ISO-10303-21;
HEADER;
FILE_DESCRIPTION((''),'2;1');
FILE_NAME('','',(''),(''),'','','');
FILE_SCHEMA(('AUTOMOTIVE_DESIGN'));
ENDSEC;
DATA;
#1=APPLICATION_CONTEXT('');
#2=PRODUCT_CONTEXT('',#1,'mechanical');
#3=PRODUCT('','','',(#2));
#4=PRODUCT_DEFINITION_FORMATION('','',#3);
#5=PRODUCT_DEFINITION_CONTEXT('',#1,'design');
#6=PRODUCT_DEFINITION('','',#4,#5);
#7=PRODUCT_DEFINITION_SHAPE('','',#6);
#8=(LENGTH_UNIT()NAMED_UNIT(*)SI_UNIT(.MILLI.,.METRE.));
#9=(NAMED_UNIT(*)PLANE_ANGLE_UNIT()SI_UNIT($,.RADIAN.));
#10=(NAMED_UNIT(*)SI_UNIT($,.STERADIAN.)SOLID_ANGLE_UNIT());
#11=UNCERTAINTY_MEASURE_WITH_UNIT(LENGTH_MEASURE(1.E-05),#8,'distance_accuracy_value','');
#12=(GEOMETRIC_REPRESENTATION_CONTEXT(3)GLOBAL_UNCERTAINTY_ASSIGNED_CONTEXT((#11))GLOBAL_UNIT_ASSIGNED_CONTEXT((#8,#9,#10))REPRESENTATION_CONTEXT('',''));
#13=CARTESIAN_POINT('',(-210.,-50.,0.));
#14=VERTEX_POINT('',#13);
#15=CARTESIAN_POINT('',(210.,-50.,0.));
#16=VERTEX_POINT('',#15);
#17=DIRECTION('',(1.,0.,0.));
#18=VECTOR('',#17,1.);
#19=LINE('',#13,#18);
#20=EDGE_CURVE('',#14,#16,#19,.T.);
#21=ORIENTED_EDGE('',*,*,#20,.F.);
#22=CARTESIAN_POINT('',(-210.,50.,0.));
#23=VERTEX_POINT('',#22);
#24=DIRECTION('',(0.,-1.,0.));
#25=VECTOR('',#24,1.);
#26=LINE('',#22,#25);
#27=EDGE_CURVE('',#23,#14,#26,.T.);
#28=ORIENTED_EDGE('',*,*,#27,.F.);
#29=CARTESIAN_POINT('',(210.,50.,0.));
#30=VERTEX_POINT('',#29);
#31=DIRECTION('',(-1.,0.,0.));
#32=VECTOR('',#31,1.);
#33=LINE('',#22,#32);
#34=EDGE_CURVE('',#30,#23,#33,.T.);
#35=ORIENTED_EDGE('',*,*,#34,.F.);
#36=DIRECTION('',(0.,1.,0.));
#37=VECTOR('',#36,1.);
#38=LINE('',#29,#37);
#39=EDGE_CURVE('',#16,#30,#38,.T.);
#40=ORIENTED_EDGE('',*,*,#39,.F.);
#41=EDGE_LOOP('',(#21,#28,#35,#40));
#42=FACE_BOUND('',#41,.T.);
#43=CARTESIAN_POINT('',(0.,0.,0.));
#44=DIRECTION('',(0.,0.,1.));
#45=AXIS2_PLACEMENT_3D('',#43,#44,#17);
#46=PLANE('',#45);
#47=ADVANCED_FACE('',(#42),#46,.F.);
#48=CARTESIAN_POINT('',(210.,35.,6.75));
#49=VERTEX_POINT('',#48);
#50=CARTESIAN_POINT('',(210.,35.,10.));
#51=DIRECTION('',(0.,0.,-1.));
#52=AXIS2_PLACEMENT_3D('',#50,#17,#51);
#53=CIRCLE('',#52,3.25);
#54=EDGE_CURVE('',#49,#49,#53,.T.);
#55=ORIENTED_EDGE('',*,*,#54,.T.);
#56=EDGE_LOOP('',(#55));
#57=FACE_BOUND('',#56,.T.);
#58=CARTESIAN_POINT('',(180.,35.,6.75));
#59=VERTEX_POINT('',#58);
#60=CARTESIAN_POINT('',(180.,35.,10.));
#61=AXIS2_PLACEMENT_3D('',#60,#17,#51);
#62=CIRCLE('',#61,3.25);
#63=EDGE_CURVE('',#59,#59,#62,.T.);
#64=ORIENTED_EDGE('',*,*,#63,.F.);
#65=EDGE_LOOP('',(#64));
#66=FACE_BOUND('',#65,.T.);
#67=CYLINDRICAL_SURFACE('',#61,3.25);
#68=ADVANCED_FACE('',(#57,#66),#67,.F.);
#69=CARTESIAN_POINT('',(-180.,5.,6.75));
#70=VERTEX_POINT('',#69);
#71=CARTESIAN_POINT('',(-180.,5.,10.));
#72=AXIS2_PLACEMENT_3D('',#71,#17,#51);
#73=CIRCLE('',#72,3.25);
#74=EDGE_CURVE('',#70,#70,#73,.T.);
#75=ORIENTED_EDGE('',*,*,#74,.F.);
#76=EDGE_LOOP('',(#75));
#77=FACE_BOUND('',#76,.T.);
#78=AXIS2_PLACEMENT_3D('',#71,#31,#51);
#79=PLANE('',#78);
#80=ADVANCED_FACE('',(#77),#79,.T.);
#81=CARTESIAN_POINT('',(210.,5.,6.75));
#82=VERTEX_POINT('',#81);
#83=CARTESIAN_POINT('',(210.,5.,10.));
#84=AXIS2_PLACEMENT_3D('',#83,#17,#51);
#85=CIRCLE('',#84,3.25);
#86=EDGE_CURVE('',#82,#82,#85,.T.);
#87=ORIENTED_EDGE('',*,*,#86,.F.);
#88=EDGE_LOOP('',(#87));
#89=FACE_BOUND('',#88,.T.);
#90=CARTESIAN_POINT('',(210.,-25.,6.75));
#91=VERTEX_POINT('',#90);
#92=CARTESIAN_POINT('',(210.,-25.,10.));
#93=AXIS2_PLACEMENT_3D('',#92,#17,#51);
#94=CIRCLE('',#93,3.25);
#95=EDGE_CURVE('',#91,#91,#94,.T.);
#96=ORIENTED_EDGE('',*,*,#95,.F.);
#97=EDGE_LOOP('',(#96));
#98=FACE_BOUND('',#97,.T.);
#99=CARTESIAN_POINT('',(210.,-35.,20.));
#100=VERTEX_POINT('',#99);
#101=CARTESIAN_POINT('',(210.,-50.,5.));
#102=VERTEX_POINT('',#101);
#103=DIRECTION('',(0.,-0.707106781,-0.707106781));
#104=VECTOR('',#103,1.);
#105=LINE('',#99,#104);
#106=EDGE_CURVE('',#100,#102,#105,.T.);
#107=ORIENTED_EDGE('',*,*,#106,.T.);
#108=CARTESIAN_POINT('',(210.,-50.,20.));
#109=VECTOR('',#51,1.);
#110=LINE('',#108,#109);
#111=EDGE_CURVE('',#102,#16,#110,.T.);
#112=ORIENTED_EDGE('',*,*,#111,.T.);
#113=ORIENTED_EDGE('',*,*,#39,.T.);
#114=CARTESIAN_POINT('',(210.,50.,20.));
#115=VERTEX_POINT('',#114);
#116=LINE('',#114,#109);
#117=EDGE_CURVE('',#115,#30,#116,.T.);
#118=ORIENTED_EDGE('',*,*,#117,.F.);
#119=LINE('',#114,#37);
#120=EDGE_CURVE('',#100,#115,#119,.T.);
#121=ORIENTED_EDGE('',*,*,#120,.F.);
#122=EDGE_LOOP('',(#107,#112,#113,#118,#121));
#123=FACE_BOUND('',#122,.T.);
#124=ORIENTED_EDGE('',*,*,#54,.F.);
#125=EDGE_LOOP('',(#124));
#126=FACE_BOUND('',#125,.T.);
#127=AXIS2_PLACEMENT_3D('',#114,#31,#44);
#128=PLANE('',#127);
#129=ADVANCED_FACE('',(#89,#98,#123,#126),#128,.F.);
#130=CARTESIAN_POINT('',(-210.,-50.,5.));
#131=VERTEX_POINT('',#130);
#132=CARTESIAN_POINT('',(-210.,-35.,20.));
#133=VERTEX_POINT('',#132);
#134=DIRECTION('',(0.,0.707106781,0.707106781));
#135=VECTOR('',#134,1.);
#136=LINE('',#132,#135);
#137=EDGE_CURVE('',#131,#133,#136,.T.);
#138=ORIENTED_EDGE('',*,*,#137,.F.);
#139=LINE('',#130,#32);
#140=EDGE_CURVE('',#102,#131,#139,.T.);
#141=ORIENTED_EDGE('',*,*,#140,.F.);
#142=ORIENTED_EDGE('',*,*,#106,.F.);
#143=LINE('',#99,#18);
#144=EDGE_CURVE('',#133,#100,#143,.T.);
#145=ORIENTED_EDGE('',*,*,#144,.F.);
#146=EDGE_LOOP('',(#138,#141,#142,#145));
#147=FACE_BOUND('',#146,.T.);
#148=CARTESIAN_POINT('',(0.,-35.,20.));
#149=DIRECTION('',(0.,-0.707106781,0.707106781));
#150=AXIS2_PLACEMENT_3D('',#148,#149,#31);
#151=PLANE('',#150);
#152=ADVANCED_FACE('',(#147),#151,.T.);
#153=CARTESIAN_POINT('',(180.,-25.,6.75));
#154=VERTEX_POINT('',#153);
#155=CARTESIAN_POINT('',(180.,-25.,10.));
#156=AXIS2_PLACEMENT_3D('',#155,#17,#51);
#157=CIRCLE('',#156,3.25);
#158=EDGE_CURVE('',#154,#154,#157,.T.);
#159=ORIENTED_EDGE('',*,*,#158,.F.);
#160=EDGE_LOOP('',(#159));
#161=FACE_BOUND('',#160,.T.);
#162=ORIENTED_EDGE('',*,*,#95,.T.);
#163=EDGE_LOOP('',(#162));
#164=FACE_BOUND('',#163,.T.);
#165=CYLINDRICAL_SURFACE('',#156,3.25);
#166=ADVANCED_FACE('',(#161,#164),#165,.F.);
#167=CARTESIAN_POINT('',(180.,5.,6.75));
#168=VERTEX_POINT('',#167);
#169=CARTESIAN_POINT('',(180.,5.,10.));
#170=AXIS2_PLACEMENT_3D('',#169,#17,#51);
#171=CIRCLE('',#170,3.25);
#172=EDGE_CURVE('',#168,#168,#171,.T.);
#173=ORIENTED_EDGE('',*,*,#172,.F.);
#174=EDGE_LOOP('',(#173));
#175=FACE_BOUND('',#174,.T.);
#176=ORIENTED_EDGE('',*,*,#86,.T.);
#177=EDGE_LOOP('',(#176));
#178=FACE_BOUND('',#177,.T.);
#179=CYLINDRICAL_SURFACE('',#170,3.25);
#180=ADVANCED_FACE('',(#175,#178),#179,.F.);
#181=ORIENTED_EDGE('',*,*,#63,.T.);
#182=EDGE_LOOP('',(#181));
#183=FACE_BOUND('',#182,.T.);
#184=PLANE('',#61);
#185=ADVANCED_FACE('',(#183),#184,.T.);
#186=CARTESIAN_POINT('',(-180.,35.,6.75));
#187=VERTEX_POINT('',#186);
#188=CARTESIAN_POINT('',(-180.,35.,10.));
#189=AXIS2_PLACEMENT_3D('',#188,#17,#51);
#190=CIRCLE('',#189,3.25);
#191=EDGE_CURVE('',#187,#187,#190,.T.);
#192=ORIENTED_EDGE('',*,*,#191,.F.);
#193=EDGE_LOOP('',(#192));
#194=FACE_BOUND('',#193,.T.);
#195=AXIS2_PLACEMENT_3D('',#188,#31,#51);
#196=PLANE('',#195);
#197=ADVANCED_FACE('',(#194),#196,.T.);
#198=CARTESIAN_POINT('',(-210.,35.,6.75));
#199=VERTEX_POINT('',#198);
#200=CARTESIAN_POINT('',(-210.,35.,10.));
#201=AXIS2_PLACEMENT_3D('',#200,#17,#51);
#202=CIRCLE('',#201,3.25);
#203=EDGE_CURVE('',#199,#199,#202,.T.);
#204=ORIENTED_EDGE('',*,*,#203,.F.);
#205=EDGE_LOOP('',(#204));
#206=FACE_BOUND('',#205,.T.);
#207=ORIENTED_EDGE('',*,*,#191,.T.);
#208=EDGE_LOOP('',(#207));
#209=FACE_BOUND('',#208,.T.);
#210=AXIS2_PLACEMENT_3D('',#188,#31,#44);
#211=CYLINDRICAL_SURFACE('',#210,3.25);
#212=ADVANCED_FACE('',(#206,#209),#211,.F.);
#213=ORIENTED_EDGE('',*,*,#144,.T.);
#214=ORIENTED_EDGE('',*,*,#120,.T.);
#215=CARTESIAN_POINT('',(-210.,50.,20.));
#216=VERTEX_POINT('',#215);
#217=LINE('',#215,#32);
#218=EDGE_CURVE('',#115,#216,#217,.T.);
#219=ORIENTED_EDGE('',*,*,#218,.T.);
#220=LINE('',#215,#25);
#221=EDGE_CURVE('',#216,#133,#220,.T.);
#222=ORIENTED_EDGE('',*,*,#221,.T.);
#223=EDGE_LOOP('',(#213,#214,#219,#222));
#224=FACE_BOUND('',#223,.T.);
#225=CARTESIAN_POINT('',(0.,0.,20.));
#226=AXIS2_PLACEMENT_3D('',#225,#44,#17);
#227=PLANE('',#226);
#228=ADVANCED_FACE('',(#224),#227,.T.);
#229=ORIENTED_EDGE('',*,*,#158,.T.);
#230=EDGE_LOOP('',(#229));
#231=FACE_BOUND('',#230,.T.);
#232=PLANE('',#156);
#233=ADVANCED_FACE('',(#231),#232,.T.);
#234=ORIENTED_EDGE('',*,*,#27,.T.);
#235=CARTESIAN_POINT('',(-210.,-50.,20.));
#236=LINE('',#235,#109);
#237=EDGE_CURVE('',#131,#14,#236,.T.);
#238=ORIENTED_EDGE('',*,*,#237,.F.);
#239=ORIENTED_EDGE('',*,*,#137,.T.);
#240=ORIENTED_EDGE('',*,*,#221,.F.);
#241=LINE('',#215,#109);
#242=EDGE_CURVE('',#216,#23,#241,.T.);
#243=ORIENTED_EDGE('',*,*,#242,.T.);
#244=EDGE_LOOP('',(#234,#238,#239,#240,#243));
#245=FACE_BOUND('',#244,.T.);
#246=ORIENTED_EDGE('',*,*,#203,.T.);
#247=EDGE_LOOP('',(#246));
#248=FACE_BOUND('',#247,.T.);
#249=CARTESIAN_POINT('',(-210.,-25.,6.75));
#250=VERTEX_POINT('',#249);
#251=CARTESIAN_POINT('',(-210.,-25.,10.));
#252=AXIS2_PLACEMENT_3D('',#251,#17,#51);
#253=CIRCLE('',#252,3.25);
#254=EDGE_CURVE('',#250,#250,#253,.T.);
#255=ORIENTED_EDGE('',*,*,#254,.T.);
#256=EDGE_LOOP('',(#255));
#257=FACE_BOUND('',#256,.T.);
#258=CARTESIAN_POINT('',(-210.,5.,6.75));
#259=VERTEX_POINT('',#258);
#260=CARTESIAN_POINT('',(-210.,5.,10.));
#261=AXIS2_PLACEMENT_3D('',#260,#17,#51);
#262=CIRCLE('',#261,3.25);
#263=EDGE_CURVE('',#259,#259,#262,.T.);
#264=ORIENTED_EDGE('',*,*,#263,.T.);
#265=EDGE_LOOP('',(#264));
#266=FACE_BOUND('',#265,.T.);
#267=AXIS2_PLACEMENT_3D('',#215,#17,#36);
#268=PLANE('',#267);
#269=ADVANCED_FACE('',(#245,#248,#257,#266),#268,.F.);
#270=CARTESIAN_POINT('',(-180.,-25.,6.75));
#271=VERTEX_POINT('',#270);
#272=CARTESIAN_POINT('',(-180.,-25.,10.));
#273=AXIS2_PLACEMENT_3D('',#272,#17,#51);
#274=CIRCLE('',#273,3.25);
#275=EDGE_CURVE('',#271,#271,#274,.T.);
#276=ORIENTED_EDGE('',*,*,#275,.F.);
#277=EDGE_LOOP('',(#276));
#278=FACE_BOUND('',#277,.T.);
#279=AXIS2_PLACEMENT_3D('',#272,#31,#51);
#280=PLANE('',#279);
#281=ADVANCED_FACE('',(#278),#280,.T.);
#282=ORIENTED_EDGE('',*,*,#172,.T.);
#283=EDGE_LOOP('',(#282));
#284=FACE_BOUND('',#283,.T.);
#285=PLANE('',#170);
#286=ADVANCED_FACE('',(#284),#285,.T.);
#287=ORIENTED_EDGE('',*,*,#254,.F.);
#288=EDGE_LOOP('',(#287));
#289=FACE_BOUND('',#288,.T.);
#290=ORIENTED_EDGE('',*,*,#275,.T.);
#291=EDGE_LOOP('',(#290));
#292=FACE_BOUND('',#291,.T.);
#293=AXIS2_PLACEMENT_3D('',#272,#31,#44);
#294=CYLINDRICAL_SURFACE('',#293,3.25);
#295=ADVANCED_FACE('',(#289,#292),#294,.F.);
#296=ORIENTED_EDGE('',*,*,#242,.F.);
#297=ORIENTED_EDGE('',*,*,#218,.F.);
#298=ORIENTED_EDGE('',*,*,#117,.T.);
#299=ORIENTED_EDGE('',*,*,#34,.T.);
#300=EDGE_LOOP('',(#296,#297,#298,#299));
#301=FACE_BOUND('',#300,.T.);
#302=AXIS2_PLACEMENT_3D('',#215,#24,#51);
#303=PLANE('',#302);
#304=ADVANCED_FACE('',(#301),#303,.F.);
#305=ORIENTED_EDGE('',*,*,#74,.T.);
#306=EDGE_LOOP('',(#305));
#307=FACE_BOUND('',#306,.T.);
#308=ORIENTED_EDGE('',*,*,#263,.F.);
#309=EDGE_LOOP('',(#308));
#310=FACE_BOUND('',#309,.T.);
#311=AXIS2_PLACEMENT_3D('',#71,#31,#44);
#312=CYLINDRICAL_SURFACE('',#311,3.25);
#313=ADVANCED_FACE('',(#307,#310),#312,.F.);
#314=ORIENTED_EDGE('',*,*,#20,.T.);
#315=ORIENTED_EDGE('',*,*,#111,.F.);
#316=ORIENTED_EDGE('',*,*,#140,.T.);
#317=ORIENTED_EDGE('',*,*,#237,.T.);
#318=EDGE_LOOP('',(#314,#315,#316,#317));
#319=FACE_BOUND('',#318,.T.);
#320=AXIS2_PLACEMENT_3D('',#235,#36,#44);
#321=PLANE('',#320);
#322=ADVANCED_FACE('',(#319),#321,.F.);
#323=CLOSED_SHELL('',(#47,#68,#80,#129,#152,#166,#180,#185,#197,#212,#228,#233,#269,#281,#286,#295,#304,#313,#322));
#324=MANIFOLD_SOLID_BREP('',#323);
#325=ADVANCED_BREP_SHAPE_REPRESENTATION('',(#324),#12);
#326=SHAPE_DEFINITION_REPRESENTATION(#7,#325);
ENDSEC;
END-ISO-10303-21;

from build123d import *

# Parameters (mm, degrees)
IZIM1_W                     = 420
IZIM1_H                     = 100
Y_KSEKLIK_EKSTR_ZYON1_DEPTH = 20
PAH1_SIZE                   = 15
IZIM2_R                     = 3.25
KES_EKSTR_ZYON1_DEPTH       = 30


with BuildPart() as part:
    # Çizim1 → Yükseklik-Ekstrüzyon1 (new body)
    with BuildSketch(Plane.XY):
        Rectangle(IZIM1_W, IZIM1_H)
    extrude(amount=Y_KSEKLIK_EKSTR_ZYON1_DEPTH)

    # Pah1
    pah1_edges = [part.edges().sort_by_distance(p)[0] for p in [
        (0, -50, 20),
    ]]
    chamfer(pah1_edges, length=PAH1_SIZE)

    # Çizim2 → Kes-Ekstrüzyon1 (cut)
    with BuildSketch(Plane(origin=(210, 0, 0), x_dir=(0, 0, -1), z_dir=(1, 0, 0))):
        with Locations((-10, 35)):
            Circle(IZIM2_R)
        with Locations((-10, 5)):
            Circle(IZIM2_R)
        with Locations((-10, -25)):
            Circle(IZIM2_R)
    kes_ekstr_zyon1 = extrude(amount=-KES_EKSTR_ZYON1_DEPTH, mode=Mode.SUBTRACT)

    # Aynalama1: Kes-Ekstrüzyon1 across plane
    add(kes_ekstr_zyon1.mirror(Plane(origin=(0, 0, 0), x_dir=(0, 0, 1), z_dir=(1, 0, 0))), mode=Mode.SUBTRACT)


solid = part.part
